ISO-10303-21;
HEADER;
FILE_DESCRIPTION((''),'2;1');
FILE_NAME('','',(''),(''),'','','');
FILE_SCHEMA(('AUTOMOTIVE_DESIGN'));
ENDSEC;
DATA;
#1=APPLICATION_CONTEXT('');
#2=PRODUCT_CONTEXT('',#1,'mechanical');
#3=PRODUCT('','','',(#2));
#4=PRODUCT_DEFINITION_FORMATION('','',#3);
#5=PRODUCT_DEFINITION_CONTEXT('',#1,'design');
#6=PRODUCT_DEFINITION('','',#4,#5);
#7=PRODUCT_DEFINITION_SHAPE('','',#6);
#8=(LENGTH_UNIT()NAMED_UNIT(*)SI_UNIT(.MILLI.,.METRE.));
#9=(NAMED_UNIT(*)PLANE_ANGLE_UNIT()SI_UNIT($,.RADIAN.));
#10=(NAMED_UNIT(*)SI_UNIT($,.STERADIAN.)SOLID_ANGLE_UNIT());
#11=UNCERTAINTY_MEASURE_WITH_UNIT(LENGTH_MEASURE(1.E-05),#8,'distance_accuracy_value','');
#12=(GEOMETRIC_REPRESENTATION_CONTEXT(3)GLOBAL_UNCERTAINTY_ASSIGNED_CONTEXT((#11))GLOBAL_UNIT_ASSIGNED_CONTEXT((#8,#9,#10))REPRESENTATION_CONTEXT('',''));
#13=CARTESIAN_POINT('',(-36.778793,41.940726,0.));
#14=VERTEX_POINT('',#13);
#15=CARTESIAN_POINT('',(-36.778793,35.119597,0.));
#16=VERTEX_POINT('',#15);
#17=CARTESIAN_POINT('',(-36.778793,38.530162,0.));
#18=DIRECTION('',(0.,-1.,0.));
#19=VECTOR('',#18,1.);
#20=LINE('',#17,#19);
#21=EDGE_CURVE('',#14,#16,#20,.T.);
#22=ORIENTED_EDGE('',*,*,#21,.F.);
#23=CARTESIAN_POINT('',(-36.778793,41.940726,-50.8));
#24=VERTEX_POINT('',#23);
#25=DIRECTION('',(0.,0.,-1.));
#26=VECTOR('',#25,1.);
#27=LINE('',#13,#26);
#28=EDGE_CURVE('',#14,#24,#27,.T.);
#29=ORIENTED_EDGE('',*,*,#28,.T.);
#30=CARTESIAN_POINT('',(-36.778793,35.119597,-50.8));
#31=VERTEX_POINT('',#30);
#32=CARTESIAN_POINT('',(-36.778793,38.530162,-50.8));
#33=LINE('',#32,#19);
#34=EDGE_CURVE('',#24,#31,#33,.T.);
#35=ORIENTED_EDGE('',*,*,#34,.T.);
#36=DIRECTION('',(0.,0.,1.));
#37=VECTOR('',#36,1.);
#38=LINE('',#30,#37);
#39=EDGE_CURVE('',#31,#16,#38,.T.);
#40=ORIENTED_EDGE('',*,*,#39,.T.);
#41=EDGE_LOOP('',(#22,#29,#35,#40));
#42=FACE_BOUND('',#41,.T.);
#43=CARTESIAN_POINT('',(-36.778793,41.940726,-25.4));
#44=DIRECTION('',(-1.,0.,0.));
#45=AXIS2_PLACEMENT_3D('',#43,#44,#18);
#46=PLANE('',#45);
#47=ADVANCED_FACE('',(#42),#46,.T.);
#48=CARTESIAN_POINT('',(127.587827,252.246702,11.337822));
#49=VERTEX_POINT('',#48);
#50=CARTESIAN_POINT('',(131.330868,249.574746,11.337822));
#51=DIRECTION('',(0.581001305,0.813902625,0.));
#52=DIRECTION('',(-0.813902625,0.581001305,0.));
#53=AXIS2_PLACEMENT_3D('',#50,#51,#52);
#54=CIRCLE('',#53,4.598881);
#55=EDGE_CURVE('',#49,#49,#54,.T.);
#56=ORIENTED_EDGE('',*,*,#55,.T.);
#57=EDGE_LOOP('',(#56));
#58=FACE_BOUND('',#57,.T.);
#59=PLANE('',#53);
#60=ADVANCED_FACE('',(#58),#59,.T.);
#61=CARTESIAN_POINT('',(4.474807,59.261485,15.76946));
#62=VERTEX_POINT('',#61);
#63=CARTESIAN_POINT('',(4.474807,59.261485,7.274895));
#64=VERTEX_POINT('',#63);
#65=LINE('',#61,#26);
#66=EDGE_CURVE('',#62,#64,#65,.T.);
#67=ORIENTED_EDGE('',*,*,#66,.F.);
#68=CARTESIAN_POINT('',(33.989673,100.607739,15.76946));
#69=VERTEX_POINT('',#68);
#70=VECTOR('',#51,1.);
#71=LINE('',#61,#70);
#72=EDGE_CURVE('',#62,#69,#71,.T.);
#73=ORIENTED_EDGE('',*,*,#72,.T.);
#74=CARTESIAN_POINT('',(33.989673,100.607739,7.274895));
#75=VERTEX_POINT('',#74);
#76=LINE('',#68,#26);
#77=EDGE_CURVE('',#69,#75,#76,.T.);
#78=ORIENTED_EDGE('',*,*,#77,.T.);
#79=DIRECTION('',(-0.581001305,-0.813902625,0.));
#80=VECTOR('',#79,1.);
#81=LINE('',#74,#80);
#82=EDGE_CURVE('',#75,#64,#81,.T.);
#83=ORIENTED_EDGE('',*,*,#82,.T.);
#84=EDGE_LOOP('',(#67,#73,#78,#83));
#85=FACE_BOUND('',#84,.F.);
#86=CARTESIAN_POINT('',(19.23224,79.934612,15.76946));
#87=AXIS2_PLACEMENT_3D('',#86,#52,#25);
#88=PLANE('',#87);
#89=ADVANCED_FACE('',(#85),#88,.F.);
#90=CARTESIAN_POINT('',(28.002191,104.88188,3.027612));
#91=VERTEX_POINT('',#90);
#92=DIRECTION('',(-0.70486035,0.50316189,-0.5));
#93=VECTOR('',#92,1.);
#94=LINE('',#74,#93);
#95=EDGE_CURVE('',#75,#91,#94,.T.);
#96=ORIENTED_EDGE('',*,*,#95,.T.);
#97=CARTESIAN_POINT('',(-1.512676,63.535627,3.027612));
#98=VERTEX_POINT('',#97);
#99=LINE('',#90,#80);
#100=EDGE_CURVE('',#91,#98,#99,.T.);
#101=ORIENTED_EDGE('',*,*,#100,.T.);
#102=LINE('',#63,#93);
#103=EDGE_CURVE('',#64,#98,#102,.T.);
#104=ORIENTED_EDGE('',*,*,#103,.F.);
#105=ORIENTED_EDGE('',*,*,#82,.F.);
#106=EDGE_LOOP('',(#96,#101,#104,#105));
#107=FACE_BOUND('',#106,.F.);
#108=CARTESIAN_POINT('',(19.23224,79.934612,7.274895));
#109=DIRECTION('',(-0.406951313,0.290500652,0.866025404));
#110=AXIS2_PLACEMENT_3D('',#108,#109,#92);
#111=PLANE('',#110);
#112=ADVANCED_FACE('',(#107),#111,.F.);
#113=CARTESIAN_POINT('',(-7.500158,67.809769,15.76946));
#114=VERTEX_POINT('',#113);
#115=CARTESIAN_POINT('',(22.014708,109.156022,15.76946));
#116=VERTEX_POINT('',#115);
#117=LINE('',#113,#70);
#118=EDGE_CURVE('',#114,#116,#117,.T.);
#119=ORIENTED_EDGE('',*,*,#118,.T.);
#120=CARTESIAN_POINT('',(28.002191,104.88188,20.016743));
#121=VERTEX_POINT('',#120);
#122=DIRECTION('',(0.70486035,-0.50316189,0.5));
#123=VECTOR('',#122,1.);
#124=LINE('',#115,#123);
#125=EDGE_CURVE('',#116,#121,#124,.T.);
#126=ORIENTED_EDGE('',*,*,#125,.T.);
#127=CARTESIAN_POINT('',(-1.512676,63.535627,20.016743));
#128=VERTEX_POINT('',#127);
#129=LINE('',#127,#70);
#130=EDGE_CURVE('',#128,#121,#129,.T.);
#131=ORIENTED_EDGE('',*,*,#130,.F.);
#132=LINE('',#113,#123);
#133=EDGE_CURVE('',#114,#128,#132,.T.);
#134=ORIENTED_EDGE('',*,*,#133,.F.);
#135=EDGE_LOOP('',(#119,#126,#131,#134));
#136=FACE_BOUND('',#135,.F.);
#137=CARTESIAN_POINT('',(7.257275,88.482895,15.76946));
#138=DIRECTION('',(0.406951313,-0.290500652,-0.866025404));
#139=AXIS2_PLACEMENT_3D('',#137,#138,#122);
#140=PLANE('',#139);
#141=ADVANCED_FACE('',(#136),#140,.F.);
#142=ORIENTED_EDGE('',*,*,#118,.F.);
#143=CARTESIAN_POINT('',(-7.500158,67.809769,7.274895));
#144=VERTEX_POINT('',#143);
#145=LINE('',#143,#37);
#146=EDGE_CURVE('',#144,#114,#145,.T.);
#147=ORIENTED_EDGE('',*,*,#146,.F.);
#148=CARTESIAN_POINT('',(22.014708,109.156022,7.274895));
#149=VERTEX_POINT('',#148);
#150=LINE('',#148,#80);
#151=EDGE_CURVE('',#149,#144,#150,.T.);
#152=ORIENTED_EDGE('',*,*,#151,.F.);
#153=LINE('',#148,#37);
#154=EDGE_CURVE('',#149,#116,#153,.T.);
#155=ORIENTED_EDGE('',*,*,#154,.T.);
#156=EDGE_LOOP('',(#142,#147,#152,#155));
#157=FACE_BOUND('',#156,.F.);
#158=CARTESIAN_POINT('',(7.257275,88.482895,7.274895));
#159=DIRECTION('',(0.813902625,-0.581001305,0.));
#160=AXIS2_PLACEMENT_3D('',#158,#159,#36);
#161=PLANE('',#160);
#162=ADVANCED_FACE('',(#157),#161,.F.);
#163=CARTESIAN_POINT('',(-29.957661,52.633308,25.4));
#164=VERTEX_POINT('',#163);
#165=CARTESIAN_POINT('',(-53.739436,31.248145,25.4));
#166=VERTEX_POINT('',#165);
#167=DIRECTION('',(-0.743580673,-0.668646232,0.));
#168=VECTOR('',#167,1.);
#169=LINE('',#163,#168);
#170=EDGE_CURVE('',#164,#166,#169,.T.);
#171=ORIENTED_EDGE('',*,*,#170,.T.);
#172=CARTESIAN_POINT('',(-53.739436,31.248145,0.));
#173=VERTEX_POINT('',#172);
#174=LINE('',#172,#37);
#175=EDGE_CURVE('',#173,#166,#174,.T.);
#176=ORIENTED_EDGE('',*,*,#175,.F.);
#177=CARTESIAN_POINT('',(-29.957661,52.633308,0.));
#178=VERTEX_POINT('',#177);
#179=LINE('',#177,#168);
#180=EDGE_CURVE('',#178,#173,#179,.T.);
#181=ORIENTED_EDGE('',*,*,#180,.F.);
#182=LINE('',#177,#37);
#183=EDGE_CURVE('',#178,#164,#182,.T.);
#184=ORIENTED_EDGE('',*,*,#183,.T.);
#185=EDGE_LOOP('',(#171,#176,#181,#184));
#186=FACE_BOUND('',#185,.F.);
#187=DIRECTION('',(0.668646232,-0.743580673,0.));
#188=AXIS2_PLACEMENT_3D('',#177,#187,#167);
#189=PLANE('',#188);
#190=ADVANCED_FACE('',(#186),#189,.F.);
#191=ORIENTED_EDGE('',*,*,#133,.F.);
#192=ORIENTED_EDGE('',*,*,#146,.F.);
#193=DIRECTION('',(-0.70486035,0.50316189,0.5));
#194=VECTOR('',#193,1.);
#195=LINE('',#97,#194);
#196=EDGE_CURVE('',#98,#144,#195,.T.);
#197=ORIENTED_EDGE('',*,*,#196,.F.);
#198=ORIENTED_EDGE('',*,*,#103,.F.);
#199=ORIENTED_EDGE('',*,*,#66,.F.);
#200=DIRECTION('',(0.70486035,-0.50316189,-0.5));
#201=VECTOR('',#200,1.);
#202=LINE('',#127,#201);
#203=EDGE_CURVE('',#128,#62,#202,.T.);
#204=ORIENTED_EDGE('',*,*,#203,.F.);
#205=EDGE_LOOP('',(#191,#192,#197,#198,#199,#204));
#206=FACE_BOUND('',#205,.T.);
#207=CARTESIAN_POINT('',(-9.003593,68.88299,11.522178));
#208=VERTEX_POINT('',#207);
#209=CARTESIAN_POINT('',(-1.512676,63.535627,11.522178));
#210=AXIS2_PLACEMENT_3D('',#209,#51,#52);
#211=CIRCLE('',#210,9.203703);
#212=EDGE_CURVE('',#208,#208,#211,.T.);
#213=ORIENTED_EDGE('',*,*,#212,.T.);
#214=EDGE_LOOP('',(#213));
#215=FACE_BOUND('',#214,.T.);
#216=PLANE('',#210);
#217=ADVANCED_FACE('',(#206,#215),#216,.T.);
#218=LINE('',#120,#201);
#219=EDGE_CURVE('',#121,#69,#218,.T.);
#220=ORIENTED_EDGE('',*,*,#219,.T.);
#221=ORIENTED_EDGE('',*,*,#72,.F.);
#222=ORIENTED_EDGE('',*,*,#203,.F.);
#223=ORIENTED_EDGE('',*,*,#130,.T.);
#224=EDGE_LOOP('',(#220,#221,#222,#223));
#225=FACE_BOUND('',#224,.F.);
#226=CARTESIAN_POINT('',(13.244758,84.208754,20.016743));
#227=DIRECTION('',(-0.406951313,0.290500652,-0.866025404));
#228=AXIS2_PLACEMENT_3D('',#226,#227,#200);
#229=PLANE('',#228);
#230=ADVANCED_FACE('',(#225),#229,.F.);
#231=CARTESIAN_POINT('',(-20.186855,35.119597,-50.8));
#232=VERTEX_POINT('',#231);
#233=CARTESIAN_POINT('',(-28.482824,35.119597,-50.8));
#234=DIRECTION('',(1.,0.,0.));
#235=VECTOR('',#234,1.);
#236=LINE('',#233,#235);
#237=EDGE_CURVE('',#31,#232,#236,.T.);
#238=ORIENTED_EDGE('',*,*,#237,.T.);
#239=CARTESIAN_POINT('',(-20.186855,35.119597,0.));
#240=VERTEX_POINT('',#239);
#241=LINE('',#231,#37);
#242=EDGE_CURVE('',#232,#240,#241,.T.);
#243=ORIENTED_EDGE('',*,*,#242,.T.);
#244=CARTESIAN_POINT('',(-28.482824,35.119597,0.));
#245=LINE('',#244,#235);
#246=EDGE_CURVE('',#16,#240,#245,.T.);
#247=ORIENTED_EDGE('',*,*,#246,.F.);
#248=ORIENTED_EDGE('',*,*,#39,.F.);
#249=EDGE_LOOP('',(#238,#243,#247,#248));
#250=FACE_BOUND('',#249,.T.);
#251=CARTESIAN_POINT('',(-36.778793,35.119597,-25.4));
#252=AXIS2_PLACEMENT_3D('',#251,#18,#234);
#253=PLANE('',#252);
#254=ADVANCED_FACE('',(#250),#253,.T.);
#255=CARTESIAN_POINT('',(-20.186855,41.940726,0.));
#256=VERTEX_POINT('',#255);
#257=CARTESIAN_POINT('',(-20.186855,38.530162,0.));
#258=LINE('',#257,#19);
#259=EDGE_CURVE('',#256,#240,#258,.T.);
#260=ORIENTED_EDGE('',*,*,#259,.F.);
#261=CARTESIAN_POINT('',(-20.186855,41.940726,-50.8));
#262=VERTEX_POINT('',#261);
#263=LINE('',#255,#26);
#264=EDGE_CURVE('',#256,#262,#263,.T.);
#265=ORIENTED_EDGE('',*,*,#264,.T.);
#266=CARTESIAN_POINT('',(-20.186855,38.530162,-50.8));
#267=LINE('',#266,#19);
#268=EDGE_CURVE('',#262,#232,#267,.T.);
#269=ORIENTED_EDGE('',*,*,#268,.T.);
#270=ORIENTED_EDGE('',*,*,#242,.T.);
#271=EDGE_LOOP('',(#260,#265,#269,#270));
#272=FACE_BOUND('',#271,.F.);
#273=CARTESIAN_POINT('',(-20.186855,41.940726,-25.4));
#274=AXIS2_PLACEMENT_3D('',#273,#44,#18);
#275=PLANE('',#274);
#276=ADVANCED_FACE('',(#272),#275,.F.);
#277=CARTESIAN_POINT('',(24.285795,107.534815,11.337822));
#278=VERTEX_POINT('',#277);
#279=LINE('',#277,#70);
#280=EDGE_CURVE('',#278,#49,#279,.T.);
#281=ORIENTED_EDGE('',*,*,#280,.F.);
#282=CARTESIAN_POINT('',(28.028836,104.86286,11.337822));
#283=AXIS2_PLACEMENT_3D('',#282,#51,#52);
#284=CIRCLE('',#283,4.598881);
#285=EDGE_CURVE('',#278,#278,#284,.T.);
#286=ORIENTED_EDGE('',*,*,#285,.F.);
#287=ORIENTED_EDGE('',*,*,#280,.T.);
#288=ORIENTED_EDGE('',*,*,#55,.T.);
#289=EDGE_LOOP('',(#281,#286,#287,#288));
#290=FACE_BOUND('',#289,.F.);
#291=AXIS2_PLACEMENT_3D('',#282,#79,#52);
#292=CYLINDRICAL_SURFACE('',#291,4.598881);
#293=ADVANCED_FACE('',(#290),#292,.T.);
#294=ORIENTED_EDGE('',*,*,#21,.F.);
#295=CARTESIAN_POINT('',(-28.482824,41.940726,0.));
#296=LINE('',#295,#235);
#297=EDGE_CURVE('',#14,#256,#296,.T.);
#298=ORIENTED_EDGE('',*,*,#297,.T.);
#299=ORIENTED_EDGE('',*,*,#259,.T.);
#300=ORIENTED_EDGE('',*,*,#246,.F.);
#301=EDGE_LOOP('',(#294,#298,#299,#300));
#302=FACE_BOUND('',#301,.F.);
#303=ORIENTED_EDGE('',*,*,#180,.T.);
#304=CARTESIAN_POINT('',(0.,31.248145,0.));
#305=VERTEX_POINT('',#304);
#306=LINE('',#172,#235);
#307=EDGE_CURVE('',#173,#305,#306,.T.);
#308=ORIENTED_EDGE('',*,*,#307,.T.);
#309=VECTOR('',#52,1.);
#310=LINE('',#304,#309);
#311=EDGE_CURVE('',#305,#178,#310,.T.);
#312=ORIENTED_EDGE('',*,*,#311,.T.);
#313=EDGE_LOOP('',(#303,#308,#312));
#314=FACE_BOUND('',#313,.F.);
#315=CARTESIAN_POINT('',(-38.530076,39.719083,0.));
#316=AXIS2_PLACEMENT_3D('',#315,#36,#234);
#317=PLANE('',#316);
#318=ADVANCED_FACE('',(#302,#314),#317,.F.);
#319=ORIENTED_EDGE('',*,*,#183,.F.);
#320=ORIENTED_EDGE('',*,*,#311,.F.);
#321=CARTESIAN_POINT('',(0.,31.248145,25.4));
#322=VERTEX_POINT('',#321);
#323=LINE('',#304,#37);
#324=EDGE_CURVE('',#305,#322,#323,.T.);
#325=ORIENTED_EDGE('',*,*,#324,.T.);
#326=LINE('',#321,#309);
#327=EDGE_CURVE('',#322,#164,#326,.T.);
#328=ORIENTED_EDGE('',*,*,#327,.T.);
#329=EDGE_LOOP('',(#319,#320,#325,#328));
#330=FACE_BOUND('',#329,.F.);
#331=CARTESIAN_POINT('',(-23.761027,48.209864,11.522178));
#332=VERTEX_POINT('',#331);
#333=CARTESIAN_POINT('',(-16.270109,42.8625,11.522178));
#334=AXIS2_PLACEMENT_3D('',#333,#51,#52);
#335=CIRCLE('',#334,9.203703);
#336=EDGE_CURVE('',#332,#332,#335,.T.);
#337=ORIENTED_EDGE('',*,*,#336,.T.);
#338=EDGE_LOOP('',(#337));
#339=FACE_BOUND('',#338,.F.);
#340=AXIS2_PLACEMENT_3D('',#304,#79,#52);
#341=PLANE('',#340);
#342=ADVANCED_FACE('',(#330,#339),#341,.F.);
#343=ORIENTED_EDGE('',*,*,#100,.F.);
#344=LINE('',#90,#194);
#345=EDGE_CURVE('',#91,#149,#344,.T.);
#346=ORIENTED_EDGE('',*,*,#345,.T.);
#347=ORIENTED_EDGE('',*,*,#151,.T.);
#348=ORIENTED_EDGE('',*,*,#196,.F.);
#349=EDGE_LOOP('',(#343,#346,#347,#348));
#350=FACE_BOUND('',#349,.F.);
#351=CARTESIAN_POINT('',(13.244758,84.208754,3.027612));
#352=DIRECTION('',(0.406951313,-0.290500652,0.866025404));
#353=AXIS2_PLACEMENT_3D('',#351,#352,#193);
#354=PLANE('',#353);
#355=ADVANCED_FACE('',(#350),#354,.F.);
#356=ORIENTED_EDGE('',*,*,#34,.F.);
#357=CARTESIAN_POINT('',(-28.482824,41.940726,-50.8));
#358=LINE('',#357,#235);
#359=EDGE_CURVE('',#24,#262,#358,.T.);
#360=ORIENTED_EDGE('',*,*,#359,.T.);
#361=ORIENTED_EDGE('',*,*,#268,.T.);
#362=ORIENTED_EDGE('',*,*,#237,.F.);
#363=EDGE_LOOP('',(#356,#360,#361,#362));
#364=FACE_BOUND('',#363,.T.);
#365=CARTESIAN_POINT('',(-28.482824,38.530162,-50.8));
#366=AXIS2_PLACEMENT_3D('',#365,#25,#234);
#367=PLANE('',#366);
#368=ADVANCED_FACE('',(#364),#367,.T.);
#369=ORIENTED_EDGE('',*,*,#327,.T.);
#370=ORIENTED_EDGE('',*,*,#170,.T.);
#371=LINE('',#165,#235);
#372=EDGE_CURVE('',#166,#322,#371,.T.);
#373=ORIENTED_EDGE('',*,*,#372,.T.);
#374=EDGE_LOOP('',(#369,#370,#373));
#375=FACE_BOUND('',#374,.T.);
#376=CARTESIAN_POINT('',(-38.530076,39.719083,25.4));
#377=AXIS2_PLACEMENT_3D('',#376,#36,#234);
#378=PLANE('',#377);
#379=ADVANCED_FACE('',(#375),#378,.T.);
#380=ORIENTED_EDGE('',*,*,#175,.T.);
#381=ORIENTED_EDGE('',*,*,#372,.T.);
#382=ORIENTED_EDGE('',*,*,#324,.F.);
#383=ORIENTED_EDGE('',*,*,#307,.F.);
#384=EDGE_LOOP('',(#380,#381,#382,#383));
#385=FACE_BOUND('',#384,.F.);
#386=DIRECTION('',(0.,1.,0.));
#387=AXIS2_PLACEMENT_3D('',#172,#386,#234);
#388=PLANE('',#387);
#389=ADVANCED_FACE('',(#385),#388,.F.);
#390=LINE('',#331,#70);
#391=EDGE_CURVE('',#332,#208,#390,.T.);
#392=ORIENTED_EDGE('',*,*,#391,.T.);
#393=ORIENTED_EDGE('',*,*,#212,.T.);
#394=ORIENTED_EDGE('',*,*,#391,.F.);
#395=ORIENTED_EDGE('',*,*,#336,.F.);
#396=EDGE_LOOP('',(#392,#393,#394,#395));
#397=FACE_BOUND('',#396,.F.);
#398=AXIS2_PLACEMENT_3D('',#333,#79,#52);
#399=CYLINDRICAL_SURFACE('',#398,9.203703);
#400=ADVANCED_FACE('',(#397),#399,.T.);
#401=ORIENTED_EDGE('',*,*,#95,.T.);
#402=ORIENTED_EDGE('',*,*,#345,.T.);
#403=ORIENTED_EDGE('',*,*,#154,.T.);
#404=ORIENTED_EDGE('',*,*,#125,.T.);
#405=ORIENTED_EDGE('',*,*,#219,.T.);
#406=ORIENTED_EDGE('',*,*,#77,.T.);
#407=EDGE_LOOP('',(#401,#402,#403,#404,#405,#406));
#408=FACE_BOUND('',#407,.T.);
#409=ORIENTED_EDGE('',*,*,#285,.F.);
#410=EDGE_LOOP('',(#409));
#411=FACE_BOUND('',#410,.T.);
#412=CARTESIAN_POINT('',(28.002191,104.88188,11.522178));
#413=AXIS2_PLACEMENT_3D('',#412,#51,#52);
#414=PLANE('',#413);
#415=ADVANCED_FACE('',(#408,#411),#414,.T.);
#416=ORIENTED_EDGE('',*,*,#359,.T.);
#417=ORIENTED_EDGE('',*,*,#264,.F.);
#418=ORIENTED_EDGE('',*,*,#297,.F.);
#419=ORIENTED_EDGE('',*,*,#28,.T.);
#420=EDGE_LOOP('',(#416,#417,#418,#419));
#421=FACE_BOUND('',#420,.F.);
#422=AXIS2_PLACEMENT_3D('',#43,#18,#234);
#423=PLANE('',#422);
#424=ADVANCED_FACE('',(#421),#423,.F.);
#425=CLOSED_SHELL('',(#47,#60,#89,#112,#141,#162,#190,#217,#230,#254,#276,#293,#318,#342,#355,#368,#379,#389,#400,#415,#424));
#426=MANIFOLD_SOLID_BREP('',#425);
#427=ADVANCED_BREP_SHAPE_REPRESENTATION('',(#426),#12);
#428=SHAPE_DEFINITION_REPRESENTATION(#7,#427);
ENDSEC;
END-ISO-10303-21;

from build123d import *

# Parameters (mm, degrees)
F1_DEPTH  = 25.4
F2_R      = 9.2037028664
F3_DEPTH  = 25.4
F4_W      = 16.5919382125
F4_H      = 6.8211294711
F5_DEPTH  = 25.4
F6_DEPTH  = 25.4
F8_DEPTH  = 25.4
F9_DEPTH  = 25.4
F10_R     = 4.5988805072
F11_DEPTH = 177.8


with BuildPart() as f1:
    # F0 (on Top) → F1 (new body)
    with BuildSketch(Plane.XY):
        Polygon((-29.9576614052, 52.6333078742), (-53.7394359708, 31.2481448054), (-41.9407263398, 31.2481448054), (-25.5331452936, 42.3094369471), align=None)
        Polygon((-23.8739512861, 35.303954035), (-41.9407263398, 31.2481448054), (0, 31.2481448054), align=None)
        Polygon((-25.5331452936, 42.3094369471), (-41.9407263398, 31.2481448054), (-23.8739512861, 35.303954035), align=None)
        Polygon((0, 31.2481448054), (-29.9576614052, 52.6333078742), (-25.5331452936, 42.3094369471), align=None)
        Polygon((-23.8739512861, 35.303954035), (0, 31.2481448054), (-25.5331452936, 42.3094369471), align=None)
    extrude(amount=F1_DEPTH)

    # F2 (on face) → F3 (join)
    with BuildSketch(Plane(origin=(14.7765754508, 20.6999424161, 0), x_dir=(-0.8139026255, 0.5810013049, 0), z_dir=(0.5810013049, 0.8139026255, 0))):
        with Locations((38.1454527378, 11.5221776068)):
            Circle(F2_R)
    extrude(amount=F3_DEPTH)

    # F4 (on face) → F5 (join)
    with BuildSketch(Plane(origin=(0, 0, 0), x_dir=(1, 0, 0), z_dir=(0, 0, -1))):
        with Locations((-28.4828236327, -38.5301616043)):
            Rectangle(F4_W, F4_H)
    extrude(amount=F5_DEPTH)

    # F6 (add): a face of the model
    f6_faces = [f1.faces().sort_by_distance(p)[0] for p in [
        (-28.4828236327, 38.5301616043, -25.4),
    ]]
    extrude(f6_faces, amount=F6_DEPTH)

    # F7 (on face) → F8 (join)
    with BuildSketch(Plane(origin=(29.5340085947, 41.3730691028, 0), x_dir=(-0.8139026255, 0.5810013049, 0), z_dir=(0.5810013049, 0.8139026255, 0))):
        Polygon((45.5019623041, 7.2748948284), (45.5019623041, 15.7694603852), (38.1454527378, 20.0167431636), (30.7889431715, 15.7694603852), (30.7889431715, 7.2748948284), (38.1454527378, 3.02761205), align=None)
    extrude(amount=F8_DEPTH)

    # F9 (add): a face of the model
    f9_faces = [f1.faces().sort_by_distance(p)[0] for p in [
        (13.244757606, 84.2087536053, 11.5221776068),
    ]]
    extrude(f9_faces, amount=F9_DEPTH)

    # F10 (on face) → F11 (join)
    with BuildSketch(Plane(origin=(59.0488748825, 82.7193224761, 0), x_dir=(-0.8139026255, 0.5810013049, 0), z_dir=(0.5810013049, 0.8139026255, 0))):
        with Locations((38.1127148867, 11.3378223032)):
            Circle(F10_R)
    extrude(amount=F11_DEPTH)


solid = f1.part
